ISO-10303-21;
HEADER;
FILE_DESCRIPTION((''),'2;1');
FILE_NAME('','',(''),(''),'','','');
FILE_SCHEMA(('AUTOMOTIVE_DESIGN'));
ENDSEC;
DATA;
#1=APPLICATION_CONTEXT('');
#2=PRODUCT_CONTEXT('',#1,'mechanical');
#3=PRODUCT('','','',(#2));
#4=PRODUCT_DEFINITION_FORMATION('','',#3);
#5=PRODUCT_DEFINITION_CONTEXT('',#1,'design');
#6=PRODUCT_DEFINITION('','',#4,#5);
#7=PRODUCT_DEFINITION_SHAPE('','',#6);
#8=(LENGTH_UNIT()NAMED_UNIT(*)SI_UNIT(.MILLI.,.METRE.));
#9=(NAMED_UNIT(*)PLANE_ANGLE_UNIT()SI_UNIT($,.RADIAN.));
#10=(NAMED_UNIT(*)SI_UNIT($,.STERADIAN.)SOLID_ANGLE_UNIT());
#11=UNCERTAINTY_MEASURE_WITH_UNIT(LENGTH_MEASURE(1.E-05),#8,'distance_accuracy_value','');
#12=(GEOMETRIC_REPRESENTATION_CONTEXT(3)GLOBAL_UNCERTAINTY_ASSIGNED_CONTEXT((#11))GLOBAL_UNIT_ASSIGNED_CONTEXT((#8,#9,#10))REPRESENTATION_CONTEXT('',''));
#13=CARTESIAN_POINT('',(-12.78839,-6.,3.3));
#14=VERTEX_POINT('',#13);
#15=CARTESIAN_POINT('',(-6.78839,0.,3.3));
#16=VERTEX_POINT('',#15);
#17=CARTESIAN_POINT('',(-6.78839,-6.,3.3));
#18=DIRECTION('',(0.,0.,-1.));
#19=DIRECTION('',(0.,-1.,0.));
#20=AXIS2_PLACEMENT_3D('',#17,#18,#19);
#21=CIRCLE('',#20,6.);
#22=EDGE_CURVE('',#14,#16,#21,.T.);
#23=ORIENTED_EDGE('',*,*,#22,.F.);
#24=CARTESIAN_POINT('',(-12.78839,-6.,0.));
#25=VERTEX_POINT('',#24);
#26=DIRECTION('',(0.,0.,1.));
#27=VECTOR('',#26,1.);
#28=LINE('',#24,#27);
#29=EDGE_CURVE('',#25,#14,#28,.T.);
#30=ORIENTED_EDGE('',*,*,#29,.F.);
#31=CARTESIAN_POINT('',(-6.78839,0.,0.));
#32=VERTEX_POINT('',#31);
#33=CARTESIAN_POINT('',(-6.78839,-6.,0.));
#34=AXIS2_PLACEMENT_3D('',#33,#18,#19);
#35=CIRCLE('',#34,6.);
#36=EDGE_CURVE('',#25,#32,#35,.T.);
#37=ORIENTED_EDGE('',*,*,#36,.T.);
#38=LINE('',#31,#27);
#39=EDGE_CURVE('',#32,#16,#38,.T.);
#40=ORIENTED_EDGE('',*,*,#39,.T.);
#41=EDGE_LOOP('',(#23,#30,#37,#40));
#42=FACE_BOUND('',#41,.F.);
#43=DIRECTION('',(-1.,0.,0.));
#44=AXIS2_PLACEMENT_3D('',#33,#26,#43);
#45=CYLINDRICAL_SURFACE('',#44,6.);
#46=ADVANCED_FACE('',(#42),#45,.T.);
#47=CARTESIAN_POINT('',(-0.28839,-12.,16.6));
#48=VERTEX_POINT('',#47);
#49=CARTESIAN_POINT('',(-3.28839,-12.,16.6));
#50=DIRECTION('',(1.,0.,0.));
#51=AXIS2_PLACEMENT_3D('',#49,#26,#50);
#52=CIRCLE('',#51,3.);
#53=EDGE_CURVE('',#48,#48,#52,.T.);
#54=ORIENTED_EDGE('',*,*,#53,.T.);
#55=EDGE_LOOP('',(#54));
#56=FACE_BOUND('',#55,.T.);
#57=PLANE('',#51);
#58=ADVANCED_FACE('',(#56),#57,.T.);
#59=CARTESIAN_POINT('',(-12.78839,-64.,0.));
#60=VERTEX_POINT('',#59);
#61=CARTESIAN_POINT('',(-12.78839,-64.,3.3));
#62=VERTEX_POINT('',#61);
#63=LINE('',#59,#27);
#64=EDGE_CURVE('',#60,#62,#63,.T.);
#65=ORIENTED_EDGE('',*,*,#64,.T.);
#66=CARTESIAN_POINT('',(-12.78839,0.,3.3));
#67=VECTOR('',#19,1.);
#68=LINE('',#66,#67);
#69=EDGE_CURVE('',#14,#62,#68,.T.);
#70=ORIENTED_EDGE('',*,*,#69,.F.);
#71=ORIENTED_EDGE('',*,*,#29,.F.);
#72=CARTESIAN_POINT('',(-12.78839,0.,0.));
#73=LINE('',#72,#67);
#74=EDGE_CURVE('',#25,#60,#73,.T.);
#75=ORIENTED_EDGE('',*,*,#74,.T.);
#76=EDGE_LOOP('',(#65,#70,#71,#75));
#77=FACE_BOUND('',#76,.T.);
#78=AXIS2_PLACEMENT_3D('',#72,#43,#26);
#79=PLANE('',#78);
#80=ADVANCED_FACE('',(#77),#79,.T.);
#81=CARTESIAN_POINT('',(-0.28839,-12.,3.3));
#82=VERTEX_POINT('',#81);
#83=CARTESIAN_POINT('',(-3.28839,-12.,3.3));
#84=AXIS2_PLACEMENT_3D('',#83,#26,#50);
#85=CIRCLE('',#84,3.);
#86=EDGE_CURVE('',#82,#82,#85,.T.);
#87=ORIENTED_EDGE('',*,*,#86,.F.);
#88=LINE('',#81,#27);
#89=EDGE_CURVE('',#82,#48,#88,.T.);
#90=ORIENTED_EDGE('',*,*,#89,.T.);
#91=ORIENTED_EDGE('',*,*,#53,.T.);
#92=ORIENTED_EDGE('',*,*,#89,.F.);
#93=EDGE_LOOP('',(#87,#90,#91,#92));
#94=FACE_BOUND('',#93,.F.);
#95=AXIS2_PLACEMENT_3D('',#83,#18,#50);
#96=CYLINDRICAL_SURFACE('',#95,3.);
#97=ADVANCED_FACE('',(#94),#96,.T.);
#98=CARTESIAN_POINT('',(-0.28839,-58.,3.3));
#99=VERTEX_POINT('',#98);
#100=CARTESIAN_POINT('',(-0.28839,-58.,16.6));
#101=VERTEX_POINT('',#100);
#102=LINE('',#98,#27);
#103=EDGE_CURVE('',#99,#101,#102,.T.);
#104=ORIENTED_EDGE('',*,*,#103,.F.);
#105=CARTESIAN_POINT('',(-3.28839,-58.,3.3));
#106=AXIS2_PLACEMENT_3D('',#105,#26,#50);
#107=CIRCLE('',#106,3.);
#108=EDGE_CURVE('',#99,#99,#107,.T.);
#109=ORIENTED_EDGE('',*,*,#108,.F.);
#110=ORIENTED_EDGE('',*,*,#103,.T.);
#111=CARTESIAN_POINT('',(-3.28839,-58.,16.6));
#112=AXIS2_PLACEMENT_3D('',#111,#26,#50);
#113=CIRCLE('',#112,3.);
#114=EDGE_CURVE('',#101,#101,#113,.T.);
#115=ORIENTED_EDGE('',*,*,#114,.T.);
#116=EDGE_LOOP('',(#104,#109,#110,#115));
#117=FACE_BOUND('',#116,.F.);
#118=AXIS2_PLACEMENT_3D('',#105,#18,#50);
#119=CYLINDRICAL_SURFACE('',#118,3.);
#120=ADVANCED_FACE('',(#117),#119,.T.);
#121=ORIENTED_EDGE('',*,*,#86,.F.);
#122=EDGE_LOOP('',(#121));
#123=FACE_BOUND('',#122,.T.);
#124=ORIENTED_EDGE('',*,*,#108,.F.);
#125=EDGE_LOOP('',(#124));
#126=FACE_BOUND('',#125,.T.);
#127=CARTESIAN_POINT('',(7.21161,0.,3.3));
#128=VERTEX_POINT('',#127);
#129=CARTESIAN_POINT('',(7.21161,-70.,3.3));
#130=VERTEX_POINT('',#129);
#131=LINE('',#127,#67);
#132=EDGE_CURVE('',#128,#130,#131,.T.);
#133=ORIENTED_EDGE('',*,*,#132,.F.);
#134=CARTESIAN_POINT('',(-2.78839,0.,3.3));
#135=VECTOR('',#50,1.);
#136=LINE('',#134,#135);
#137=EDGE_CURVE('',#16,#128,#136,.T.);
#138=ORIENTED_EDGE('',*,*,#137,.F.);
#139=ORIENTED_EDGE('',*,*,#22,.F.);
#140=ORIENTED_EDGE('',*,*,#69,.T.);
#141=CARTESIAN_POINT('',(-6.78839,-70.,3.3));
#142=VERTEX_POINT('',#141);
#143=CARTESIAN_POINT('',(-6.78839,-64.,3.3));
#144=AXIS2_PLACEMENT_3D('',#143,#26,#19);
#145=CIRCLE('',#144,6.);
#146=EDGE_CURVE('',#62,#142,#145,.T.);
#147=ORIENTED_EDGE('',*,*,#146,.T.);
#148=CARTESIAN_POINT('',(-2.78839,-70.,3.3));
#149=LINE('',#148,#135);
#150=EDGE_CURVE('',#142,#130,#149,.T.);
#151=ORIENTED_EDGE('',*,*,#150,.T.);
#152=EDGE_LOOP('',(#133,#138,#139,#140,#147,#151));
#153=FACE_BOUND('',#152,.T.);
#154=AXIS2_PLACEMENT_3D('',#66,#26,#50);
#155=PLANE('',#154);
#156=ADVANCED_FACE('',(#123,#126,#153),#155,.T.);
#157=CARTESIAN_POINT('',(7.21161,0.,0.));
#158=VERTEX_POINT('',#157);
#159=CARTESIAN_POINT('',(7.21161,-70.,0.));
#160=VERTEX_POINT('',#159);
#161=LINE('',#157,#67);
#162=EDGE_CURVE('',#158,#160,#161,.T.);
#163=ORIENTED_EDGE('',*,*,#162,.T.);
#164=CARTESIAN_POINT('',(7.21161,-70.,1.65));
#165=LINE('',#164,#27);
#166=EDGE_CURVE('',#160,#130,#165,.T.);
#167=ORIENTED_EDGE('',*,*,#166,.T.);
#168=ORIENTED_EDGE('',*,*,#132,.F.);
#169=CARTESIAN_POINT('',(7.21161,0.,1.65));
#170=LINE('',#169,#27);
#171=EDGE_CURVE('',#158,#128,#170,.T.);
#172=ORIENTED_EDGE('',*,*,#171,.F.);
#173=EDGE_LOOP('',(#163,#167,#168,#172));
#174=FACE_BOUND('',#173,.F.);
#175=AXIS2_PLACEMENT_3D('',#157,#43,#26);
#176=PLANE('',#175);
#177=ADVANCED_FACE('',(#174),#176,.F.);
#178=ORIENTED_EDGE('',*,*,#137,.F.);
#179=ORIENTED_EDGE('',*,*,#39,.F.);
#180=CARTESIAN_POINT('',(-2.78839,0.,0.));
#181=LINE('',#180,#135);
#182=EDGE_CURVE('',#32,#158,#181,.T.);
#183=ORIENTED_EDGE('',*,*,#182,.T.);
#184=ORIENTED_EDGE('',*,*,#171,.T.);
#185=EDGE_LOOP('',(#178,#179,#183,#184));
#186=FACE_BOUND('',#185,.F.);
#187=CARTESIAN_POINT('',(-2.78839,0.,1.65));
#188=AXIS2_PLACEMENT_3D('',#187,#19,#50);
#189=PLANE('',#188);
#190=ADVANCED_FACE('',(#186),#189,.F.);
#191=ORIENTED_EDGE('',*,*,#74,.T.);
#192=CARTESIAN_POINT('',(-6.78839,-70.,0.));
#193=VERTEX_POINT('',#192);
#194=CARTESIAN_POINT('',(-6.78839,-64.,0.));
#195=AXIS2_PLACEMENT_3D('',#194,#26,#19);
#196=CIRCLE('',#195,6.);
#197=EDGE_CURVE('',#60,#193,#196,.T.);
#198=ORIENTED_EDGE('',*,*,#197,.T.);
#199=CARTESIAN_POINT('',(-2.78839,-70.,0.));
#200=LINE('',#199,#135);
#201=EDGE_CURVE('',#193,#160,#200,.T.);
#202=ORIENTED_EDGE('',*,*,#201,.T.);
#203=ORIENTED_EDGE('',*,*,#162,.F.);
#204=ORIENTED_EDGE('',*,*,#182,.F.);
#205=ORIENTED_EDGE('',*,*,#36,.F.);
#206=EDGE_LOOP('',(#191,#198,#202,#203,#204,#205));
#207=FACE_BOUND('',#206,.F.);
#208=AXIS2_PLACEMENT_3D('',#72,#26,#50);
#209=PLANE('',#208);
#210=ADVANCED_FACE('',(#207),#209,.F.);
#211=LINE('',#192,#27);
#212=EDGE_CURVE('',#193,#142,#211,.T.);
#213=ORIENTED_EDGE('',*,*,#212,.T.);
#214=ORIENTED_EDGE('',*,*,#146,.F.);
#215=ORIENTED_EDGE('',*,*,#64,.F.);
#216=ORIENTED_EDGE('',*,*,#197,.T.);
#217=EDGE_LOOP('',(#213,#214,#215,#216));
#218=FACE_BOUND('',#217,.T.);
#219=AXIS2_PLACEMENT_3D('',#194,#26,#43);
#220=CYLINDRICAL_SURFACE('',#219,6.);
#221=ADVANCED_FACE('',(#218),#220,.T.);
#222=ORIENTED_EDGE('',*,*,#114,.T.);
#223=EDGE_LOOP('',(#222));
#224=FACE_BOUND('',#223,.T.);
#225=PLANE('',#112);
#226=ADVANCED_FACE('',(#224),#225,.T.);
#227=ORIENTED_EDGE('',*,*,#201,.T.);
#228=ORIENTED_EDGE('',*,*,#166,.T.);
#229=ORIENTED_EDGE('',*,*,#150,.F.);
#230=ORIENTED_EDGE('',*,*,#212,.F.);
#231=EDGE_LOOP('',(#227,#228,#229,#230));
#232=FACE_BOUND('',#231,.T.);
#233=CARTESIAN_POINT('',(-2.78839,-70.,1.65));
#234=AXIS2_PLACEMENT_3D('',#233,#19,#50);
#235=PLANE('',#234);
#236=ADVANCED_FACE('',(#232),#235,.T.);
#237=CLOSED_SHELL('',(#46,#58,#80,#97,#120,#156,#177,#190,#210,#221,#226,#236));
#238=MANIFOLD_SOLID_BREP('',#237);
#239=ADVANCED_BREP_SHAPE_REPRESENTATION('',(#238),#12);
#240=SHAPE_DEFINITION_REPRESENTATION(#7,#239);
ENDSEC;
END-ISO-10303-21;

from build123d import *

# Parameters (mm, degrees)
F0_W     = 20
F0_H     = 3.3
F1_DEPTH = 70
F2_R     = 3
F3_DEPTH = 13.3
F4_R     = 6


with BuildPart() as f1:
    # F0 (on Front) → F1 (new body)
    with BuildSketch(Plane.XZ):
        with Locations((-2.78839, 1.65)):
            Rectangle(F0_W, F0_H)
    extrude(amount=F1_DEPTH)

    # F2 (on face) → F3 (join)
    with BuildSketch(Plane.XY.offset(3.3)):
        with Locations((-3.28839, -12)):
            Circle(F2_R)
        with Locations((-3.28839, -58)):
            Circle(F2_R)
    extrude(amount=F3_DEPTH)

    # F4
    f4_edges = [f1.edges().sort_by_distance(p)[0] for p in [
        (-12.78839, 0, 1.65),
        (-12.78839, -70, 1.65),
    ]]
    fillet(f4_edges, radius=F4_R)


solid = f1.part
